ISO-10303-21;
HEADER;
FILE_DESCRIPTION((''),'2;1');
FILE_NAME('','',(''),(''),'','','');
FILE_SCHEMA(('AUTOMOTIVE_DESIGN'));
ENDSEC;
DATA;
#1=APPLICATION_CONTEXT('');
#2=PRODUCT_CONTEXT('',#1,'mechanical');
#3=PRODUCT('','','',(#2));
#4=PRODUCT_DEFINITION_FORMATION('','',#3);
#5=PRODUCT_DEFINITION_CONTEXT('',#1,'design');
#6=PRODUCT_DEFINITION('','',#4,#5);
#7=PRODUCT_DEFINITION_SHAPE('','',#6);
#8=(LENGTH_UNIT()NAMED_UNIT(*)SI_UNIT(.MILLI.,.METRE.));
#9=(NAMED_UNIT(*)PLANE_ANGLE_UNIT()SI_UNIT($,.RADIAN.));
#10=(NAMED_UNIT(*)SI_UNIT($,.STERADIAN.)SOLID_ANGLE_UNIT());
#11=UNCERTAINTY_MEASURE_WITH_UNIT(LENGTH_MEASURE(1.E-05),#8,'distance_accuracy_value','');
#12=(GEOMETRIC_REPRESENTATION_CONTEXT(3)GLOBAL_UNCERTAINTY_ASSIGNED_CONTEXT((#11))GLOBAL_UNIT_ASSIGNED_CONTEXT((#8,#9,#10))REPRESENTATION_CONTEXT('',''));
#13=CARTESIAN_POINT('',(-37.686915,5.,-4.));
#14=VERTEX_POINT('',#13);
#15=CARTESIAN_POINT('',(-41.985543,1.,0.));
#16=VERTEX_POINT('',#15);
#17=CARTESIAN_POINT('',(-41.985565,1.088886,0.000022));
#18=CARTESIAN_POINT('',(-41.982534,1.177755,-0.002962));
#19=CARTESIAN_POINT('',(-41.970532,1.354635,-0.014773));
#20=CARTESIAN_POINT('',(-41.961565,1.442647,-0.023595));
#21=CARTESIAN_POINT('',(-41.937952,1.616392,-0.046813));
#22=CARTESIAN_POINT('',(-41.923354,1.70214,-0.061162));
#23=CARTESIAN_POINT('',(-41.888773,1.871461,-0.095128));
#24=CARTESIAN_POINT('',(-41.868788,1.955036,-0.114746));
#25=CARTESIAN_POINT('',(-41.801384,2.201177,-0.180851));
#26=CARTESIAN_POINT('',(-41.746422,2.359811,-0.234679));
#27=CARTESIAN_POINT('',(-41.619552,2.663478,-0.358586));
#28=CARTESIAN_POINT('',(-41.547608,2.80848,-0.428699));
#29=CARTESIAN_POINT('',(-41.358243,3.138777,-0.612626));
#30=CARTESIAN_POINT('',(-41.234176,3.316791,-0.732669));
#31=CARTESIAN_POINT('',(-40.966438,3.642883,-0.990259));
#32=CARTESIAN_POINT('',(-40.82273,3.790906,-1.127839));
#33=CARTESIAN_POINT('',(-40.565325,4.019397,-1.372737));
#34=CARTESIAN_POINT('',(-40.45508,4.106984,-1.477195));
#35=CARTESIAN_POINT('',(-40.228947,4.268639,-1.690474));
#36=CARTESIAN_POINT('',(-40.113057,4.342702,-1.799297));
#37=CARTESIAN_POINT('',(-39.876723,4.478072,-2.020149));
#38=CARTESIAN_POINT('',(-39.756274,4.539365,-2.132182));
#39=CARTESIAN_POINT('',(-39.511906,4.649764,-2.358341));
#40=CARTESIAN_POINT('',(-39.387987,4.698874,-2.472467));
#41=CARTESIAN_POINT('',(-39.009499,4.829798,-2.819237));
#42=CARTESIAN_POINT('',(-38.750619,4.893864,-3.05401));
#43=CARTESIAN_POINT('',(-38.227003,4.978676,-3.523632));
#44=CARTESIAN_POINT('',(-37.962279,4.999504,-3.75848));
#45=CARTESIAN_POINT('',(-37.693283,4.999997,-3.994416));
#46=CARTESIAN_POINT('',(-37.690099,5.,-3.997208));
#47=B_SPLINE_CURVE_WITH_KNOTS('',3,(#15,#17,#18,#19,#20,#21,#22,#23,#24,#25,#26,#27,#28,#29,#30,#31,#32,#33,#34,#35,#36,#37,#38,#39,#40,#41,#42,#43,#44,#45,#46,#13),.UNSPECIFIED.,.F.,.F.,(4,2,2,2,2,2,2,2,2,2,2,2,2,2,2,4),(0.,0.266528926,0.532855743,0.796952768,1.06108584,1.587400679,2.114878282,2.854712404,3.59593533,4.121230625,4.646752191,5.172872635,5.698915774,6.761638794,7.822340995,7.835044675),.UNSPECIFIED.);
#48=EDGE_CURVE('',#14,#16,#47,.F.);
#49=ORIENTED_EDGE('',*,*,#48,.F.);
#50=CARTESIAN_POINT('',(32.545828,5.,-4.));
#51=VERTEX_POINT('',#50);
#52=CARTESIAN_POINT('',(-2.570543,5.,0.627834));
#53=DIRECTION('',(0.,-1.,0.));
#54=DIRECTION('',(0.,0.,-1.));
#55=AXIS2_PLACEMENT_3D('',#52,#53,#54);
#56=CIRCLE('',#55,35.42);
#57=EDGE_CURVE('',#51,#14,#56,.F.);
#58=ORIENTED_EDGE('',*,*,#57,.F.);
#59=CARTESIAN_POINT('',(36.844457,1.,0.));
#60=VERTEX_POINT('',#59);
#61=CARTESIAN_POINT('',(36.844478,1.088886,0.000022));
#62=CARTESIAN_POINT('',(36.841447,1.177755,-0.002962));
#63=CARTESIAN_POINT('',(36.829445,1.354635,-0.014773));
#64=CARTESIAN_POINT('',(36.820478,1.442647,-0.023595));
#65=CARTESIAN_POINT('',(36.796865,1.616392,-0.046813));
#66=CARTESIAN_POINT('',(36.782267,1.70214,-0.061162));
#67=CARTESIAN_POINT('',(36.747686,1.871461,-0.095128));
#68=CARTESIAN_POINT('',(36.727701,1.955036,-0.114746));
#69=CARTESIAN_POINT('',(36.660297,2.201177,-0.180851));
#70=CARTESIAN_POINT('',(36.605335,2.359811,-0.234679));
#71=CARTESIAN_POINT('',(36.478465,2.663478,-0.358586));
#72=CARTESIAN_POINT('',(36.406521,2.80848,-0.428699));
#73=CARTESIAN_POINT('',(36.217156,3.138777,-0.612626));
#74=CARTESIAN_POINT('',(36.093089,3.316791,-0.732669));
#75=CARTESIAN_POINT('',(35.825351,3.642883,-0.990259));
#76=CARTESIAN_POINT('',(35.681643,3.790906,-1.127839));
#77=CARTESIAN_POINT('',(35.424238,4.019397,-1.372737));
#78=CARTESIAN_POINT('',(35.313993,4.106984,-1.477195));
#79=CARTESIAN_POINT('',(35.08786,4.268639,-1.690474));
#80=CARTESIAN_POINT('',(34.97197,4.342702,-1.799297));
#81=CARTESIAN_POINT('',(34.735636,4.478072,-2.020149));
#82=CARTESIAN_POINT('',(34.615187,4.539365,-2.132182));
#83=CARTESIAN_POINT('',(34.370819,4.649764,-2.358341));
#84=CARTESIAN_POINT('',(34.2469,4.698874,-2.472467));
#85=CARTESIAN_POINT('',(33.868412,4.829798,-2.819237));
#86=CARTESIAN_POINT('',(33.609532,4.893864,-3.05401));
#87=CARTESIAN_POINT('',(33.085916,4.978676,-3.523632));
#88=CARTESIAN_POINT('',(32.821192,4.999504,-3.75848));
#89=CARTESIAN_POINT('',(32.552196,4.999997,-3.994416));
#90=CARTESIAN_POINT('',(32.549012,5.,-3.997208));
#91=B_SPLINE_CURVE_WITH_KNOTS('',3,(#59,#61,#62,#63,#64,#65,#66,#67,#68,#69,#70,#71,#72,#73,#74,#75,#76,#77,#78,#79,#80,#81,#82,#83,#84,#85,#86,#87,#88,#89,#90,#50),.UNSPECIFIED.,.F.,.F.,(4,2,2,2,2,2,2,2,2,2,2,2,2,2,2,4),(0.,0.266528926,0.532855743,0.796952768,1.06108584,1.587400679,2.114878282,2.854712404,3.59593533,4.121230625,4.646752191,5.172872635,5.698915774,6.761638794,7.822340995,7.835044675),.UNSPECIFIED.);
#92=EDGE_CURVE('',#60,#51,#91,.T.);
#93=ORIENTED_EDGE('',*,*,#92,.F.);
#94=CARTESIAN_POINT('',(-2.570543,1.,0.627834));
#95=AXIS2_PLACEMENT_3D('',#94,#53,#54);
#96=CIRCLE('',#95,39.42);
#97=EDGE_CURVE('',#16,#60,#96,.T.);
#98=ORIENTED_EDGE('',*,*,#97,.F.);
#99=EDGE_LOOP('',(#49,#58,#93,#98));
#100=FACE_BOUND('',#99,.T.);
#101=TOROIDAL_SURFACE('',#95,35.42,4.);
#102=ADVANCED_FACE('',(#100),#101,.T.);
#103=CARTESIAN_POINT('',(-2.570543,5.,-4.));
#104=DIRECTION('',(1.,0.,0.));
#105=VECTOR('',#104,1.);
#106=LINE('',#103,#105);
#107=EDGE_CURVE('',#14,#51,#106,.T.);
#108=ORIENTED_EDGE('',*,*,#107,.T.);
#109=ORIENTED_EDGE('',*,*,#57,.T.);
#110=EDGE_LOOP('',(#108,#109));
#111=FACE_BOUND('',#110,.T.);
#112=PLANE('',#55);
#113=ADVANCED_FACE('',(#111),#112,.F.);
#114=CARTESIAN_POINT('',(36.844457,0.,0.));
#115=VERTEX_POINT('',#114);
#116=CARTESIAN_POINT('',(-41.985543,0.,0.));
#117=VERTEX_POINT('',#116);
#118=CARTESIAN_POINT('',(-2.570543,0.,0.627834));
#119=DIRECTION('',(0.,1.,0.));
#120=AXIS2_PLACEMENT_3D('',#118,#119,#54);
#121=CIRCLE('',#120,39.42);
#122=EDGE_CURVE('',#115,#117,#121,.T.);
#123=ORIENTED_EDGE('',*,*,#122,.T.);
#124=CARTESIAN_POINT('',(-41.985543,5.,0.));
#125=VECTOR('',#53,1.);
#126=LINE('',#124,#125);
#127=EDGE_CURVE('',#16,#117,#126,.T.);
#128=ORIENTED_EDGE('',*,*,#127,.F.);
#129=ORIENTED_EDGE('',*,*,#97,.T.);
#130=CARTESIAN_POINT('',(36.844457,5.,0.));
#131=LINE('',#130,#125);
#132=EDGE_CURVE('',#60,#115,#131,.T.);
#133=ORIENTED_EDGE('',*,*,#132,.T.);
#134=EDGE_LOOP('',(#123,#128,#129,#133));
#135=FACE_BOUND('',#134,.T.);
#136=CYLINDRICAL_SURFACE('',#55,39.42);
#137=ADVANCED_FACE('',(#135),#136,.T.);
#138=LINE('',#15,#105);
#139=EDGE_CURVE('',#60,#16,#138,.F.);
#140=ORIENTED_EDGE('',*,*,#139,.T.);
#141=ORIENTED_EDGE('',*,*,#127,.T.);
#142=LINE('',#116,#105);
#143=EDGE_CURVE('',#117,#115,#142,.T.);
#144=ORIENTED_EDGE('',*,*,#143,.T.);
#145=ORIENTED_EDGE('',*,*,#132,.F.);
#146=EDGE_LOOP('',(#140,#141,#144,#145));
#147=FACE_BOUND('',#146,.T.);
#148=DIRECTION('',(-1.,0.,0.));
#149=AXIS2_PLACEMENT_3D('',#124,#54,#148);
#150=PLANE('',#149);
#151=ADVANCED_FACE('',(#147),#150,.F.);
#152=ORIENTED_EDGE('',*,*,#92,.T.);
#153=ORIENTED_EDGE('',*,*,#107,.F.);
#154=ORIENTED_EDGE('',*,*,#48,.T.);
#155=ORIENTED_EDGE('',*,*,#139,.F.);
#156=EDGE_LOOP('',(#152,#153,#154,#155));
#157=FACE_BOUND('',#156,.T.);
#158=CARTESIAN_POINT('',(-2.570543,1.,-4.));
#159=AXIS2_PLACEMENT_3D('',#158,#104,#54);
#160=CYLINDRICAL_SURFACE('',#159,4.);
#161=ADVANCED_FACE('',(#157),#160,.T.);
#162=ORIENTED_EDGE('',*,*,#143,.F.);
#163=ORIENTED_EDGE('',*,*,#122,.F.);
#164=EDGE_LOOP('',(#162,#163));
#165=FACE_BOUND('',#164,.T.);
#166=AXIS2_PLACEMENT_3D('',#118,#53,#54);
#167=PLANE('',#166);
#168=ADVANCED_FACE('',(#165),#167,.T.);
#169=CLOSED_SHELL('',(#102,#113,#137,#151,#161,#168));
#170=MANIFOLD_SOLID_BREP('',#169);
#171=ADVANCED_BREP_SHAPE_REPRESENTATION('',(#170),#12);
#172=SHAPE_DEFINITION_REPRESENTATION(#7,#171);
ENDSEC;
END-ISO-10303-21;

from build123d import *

# Parameters (mm, degrees)
BOSS_EXTRUDE1_DEPTH = 5
FILLET1_R           = 4


with BuildPart() as part:
    # Sketch1 → Boss-Extrude1 (new body)
    with BuildSketch(Plane(origin=(0, 0, 0), x_dir=(1, 0, 0), z_dir=(0, 1, 0))):
        with BuildLine():
            Line((-41.985543478, 0), (36.844456522, 0))
            ThreePointArc((36.844456522, 0), (-2.570543478, 38.792166423), (-41.985543478, 0))
        make_face()
    extrude(amount=BOSS_EXTRUDE1_DEPTH)

    # Fillet1
    fillet1_edges = [part.edges().sort_by_distance(p)[0] for p in [
        (-2.570543478, 5, -38.792166423),
        (-2.570543478, 5, 0),
    ]]
    fillet(fillet1_edges, radius=FILLET1_R)


solid = part.part
